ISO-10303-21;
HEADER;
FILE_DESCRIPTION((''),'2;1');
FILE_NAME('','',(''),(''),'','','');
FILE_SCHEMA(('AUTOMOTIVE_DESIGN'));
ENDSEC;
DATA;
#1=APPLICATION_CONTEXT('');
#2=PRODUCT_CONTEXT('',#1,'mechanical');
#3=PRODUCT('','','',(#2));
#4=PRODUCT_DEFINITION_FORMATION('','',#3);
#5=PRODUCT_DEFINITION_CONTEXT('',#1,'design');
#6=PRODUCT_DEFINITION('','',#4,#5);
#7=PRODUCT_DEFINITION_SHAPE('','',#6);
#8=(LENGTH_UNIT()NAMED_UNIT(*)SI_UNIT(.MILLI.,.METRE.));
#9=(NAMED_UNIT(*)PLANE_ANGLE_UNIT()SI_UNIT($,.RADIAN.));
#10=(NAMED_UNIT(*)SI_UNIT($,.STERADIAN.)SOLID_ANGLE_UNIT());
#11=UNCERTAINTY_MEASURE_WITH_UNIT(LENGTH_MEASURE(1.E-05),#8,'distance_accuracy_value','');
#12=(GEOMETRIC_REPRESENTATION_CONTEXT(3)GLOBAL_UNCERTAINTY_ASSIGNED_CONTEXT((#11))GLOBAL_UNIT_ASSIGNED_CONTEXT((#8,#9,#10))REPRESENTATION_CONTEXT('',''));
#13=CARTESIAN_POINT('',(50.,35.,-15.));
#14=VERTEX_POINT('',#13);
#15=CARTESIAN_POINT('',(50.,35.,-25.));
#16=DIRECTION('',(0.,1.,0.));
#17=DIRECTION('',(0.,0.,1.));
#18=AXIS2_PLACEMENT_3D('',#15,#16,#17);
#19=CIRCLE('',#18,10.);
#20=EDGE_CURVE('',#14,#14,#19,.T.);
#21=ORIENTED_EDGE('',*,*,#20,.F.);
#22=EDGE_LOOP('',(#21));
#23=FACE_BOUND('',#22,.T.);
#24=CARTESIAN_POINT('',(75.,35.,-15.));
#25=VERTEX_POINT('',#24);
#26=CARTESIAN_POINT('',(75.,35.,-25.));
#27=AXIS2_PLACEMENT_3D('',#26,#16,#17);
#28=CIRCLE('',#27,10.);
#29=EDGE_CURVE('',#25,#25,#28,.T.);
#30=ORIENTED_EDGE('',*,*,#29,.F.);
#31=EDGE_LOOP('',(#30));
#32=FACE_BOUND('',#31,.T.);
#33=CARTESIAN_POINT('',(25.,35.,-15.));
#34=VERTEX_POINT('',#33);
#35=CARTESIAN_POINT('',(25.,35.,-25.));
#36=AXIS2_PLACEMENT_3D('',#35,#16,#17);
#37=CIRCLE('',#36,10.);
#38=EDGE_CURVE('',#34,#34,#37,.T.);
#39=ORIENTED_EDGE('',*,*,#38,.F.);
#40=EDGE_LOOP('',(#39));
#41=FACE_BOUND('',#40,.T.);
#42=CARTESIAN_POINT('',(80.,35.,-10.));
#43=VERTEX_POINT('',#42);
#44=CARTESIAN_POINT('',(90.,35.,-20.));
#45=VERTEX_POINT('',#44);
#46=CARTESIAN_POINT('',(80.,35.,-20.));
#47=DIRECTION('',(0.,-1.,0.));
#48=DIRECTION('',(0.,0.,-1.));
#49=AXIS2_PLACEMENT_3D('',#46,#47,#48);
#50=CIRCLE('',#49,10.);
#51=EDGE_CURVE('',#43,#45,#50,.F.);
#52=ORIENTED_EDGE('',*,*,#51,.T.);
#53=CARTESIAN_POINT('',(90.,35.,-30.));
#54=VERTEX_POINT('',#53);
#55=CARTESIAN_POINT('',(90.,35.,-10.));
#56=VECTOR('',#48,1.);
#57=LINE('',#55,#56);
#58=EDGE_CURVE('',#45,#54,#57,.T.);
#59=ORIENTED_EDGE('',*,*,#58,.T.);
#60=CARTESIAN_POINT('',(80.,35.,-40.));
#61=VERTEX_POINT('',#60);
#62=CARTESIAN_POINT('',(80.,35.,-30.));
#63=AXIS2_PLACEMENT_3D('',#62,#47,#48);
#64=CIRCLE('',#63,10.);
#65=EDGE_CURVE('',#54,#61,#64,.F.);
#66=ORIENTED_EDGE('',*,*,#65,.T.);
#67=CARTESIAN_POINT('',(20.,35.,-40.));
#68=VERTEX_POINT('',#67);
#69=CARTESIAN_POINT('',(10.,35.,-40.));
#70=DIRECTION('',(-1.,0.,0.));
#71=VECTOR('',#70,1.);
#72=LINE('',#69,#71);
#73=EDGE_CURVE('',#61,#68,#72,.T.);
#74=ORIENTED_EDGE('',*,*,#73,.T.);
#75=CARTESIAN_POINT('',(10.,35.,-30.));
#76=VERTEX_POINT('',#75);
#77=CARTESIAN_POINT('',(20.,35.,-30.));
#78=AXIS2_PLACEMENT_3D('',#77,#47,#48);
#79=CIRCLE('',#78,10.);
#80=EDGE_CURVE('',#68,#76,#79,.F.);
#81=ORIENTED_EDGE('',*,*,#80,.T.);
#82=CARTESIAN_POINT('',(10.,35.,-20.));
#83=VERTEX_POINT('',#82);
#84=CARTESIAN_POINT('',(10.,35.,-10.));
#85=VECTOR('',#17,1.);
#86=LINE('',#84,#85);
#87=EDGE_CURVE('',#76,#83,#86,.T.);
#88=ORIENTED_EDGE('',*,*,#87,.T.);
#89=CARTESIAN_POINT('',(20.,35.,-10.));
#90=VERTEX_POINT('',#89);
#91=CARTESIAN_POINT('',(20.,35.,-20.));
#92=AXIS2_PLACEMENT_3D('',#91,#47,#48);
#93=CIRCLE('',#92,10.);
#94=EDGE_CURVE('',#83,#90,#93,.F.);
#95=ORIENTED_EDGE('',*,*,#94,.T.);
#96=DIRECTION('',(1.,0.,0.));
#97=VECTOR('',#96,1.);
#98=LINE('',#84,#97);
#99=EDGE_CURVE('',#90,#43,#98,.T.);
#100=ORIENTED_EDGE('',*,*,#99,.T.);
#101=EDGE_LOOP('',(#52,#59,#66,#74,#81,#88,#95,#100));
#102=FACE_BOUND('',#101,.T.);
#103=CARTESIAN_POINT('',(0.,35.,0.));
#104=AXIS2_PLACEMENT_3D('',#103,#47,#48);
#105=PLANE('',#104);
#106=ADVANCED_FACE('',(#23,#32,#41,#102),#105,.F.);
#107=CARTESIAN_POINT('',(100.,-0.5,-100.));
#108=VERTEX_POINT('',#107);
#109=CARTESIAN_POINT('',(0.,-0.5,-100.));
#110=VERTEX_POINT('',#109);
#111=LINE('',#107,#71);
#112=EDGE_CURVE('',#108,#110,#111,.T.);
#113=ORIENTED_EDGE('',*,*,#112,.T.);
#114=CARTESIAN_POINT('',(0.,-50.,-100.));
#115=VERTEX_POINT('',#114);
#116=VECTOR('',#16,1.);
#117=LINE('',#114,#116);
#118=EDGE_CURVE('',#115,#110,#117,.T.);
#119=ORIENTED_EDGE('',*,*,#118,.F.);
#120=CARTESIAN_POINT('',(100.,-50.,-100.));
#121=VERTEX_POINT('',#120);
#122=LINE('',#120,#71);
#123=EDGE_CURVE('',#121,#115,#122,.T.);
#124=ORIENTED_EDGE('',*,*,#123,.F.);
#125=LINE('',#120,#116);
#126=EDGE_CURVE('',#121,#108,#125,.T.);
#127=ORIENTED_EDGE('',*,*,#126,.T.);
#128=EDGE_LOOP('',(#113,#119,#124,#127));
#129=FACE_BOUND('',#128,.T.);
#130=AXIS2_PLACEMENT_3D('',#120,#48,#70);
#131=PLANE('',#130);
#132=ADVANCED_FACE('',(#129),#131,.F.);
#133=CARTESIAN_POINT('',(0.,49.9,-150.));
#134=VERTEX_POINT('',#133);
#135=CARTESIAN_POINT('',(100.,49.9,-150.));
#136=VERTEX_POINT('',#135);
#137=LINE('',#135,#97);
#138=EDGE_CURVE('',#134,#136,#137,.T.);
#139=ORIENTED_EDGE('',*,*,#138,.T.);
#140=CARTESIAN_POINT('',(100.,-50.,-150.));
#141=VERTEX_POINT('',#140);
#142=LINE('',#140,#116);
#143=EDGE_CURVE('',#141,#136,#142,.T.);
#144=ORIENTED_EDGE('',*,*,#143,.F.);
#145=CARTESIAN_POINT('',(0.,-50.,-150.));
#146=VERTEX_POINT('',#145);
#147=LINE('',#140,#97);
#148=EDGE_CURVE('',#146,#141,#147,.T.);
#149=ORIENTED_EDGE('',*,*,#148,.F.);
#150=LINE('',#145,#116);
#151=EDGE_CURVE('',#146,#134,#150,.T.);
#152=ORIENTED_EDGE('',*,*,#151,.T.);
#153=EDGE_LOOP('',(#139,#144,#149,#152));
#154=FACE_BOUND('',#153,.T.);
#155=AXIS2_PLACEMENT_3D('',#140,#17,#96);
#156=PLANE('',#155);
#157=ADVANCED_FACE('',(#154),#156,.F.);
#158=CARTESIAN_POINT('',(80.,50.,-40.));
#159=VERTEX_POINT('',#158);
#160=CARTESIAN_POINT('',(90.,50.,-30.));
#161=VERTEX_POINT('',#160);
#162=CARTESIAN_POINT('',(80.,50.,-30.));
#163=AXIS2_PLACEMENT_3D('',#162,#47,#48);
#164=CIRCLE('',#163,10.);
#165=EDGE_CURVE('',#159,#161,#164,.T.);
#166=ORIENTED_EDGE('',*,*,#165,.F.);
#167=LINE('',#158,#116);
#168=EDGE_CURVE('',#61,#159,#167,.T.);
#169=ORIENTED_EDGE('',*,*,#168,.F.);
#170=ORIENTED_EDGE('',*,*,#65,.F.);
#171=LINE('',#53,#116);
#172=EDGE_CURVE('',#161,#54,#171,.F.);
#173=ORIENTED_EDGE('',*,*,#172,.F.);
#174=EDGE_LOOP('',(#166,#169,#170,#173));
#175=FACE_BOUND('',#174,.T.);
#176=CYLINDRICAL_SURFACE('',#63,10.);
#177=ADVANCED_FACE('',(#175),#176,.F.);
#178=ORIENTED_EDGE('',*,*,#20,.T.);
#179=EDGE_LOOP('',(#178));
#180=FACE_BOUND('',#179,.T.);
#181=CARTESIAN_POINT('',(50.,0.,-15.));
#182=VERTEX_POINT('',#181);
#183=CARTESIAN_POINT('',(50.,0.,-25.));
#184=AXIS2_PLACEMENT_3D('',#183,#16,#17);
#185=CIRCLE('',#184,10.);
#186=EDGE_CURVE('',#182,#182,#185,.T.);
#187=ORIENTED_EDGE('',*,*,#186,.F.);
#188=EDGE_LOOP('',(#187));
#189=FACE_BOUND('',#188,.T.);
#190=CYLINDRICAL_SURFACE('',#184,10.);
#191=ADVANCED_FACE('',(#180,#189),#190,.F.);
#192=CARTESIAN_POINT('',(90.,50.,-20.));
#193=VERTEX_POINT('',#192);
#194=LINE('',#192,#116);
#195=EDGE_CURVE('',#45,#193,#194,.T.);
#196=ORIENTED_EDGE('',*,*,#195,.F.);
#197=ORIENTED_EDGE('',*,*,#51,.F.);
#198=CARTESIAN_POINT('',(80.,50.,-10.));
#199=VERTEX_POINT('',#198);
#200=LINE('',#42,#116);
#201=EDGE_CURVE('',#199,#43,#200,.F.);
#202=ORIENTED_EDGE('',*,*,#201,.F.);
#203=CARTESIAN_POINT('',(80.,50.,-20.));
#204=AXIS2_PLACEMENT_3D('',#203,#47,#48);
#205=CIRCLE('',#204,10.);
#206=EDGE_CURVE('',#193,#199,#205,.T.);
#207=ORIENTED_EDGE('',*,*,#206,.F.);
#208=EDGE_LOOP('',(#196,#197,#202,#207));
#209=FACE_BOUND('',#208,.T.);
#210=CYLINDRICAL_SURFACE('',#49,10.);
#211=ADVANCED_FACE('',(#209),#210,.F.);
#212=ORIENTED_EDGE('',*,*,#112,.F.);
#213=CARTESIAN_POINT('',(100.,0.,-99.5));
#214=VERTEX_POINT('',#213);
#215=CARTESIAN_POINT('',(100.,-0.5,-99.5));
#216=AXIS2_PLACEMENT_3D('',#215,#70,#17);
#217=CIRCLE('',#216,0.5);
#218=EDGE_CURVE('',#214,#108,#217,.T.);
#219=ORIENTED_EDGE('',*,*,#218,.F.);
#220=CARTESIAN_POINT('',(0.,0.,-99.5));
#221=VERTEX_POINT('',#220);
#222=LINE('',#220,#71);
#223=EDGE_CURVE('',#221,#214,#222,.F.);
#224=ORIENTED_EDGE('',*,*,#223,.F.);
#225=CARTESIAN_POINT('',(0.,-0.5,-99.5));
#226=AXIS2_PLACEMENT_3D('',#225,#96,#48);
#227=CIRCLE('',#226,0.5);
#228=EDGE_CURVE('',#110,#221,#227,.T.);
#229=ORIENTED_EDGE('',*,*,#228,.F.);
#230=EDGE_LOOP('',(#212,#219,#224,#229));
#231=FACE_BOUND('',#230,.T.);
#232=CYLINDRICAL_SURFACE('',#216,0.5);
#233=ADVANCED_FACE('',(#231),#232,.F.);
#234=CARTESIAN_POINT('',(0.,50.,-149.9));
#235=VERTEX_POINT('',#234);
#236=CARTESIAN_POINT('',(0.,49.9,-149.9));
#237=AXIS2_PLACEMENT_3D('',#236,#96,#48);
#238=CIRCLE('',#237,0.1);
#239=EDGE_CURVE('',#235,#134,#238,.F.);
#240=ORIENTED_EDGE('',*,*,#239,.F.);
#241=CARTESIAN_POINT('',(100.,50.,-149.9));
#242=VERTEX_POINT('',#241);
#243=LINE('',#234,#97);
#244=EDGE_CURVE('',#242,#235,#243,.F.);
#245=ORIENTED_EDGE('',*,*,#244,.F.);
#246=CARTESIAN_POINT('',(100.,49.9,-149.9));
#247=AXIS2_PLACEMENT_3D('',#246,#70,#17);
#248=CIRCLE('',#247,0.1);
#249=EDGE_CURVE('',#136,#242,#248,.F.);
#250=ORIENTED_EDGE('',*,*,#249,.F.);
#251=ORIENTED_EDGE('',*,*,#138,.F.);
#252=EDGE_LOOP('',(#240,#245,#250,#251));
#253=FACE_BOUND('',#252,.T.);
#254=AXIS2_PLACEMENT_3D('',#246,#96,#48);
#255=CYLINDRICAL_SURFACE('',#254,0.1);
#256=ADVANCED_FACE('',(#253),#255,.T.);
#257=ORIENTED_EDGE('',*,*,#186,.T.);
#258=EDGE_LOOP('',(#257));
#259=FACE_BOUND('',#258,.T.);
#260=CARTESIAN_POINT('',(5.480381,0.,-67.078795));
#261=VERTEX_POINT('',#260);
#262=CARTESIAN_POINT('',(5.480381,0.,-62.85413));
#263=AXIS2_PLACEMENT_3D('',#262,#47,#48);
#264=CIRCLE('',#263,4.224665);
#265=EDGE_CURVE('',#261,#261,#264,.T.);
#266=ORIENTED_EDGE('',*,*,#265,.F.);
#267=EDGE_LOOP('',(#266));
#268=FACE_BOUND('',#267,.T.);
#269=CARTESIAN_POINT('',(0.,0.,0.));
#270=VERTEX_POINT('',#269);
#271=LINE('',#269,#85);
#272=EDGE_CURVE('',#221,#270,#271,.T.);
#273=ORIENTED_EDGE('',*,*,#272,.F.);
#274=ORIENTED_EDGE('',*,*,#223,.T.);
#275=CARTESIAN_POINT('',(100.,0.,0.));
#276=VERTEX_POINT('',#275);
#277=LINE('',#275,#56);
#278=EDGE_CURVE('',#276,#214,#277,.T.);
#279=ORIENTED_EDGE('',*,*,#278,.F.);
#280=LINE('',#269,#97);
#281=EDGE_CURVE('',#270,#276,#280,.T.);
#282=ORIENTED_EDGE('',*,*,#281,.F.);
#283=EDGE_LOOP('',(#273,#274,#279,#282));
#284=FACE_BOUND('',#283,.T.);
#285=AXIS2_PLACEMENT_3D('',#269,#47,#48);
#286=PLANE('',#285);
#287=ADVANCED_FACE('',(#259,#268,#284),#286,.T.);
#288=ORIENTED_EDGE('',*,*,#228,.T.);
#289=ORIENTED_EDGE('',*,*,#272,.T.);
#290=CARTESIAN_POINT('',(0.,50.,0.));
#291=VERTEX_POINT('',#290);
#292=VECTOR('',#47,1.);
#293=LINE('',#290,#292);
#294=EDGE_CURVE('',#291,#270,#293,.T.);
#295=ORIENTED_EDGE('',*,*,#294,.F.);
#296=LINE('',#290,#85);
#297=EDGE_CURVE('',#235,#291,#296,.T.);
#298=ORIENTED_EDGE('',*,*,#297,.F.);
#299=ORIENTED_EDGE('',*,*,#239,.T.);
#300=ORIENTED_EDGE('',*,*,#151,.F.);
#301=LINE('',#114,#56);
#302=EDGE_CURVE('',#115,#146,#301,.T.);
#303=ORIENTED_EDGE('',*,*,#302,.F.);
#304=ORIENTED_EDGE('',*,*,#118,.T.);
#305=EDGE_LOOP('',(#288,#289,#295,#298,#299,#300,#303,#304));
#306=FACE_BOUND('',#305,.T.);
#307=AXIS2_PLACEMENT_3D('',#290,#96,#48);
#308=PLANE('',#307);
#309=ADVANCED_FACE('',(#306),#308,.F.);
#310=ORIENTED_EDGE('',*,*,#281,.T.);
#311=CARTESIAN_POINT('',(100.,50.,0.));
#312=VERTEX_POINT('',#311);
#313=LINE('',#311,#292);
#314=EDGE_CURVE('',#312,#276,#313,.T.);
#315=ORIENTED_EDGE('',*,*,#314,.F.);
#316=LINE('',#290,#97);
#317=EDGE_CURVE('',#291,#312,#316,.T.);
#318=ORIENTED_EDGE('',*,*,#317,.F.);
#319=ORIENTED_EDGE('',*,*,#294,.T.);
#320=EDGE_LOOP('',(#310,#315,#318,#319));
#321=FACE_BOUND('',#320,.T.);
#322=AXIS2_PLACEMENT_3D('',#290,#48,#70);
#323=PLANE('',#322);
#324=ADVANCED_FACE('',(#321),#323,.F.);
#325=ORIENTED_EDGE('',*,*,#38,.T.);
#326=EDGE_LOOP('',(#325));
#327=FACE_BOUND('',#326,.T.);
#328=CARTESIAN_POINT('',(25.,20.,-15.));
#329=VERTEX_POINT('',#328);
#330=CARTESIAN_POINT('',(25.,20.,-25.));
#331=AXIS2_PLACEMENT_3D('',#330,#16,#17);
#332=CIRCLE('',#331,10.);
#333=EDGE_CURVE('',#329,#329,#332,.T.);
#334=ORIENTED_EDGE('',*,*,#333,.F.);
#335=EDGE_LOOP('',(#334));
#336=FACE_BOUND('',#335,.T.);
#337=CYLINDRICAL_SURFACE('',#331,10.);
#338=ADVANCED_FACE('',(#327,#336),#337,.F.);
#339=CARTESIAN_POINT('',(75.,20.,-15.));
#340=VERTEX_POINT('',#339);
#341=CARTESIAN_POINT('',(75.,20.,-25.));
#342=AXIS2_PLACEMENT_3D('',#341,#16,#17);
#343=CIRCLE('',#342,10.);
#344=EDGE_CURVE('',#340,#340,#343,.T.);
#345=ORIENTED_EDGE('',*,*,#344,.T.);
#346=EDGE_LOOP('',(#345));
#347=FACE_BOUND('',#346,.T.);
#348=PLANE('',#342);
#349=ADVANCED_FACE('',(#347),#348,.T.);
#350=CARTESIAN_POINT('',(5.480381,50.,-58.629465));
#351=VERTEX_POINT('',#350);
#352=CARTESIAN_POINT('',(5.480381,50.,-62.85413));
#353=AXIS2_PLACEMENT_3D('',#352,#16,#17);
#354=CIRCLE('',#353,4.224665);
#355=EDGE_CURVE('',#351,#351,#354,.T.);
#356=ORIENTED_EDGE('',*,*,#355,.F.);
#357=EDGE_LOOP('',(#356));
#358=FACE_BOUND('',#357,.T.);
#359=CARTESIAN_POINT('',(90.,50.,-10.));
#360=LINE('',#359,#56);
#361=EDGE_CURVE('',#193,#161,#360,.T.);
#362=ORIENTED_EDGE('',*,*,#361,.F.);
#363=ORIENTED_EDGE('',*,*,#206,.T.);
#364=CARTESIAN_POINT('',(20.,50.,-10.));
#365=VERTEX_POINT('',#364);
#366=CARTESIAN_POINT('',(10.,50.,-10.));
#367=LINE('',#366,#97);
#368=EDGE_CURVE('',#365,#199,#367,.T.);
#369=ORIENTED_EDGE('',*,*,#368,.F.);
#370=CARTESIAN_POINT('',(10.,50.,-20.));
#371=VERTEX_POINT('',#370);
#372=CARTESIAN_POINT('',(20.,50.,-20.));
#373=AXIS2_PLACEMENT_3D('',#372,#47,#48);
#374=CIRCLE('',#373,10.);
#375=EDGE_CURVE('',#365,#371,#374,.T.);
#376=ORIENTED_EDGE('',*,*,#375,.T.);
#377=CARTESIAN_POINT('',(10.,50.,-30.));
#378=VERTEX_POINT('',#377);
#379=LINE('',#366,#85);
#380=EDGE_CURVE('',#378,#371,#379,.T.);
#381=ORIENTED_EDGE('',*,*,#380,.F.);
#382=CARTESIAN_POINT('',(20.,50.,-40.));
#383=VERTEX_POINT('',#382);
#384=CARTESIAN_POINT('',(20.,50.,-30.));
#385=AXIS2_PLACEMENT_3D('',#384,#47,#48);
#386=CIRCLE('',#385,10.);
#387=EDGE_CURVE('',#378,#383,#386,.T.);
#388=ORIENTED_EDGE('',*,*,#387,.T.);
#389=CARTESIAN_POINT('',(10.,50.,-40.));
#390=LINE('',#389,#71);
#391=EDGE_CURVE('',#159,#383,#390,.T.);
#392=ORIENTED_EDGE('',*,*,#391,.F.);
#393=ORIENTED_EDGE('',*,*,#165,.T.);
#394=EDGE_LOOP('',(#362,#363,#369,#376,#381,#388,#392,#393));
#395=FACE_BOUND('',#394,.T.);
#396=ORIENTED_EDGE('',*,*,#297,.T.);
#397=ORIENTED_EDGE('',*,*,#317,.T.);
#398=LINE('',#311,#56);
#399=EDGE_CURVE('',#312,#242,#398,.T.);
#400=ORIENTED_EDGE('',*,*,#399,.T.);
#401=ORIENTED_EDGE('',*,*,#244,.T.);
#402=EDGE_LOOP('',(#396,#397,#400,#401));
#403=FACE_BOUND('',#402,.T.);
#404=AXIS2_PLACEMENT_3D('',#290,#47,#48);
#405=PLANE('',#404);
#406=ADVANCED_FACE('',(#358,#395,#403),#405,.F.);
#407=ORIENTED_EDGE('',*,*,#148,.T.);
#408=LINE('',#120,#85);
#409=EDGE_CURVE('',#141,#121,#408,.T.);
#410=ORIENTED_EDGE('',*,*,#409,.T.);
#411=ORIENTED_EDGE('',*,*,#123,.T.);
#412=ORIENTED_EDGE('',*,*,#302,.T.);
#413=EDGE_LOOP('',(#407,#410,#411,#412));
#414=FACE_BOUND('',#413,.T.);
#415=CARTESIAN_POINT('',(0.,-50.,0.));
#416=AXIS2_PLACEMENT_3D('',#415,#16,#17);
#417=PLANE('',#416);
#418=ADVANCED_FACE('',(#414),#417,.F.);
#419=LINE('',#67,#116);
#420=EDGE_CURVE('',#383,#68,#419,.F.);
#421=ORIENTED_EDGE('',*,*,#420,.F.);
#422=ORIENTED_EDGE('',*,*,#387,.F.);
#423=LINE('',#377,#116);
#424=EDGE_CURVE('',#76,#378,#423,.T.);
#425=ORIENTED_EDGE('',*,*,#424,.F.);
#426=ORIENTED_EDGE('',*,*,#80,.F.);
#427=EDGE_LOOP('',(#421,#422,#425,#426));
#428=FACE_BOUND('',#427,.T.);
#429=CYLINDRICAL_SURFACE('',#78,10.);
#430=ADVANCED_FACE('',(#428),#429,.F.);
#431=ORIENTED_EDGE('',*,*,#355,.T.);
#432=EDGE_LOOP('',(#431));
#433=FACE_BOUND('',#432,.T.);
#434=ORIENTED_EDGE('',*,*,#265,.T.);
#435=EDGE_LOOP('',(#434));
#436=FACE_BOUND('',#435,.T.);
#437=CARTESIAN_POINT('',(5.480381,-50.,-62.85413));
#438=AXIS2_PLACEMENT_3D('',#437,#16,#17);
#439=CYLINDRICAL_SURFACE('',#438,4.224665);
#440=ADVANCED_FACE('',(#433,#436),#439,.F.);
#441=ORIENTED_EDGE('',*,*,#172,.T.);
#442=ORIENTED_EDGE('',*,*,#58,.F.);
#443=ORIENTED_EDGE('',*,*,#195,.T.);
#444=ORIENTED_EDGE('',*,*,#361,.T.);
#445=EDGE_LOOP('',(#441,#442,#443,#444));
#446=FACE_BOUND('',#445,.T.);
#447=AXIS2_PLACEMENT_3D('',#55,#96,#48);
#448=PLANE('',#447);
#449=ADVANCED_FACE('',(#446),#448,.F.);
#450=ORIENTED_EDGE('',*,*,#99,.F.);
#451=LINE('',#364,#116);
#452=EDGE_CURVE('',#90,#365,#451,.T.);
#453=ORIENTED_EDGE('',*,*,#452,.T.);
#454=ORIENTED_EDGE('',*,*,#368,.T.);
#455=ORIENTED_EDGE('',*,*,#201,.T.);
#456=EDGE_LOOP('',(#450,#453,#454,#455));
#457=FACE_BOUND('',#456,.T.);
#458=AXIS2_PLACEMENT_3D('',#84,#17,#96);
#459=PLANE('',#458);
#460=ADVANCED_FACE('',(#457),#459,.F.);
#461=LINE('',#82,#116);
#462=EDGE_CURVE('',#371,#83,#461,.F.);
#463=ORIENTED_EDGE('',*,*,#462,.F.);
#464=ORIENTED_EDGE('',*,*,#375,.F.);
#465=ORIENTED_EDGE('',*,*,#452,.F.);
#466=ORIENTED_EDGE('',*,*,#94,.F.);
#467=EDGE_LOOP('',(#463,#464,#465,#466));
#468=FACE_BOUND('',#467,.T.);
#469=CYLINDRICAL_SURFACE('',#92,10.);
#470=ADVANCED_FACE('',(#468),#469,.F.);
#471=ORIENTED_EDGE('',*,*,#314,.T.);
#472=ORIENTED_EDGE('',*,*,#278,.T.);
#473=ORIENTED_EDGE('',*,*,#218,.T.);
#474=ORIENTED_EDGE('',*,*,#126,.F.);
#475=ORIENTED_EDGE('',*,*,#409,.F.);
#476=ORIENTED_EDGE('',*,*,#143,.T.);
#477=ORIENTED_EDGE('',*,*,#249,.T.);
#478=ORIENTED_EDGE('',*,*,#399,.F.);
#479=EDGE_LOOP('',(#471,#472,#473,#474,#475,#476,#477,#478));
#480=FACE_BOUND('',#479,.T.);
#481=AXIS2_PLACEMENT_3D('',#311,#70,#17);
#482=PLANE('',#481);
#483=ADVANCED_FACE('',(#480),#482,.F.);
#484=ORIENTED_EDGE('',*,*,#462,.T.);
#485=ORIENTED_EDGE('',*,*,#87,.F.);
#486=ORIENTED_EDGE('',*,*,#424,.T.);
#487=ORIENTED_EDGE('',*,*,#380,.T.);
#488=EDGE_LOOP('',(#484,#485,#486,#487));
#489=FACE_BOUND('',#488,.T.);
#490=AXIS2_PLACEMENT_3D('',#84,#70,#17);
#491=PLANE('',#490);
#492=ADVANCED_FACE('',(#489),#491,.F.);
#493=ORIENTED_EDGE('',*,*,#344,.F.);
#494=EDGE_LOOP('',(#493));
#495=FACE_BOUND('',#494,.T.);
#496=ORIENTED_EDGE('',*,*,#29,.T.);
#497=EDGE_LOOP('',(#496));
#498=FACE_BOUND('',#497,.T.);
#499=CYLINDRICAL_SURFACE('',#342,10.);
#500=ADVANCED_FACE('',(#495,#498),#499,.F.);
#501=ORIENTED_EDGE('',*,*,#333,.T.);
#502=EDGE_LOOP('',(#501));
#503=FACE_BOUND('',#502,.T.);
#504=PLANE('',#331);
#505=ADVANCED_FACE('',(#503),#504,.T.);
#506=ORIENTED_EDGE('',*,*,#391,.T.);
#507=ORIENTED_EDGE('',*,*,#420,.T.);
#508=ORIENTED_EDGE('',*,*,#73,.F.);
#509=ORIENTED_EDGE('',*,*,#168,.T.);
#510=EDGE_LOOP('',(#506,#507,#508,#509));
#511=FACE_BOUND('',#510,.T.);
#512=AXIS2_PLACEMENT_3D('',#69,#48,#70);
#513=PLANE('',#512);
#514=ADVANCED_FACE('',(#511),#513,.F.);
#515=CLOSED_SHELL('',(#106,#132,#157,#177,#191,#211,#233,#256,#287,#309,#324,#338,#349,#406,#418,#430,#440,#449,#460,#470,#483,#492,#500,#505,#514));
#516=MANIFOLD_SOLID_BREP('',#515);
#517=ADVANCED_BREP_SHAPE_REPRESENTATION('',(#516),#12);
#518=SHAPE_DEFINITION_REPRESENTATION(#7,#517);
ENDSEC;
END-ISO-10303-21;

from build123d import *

# Parameters (mm, degrees)
SKETCH1_W           = 100
SKETCH1_H           = 100
BOSS_EXTRUDE1_DEPTH = 50
SKETCH3_W           = 80
SKETCH3_H           = 30
CUT_EXTRUDE2_DEPTH  = 15
FILLET1_R           = 10
SKETCH4_R           = 10
CUT_EXTRUDE3_DEPTH  = 15
SKETCH5_R           = 10
CUT_EXTRUDE4_DEPTH  = 146.688022843
SKETCH6_W           = 100
SKETCH6_H           = 50
BOSS_EXTRUDE2_DEPTH = 50
FILLET2_R           = 0.1
SKETCH7_R           = 4.224664999
CUT_EXTRUDE5_DEPTH  = 207.155281281
FILLET3_R           = 0.5


with BuildPart() as part:
    # Sketch1 → Boss-Extrude1 (new body)
    with BuildSketch(Plane(origin=(0, 0, 0), x_dir=(1, 0, 0), z_dir=(0, 1, 0))):
        with Locations((50, 50)):
            Rectangle(SKETCH1_W, SKETCH1_H)
    extrude(amount=BOSS_EXTRUDE1_DEPTH)

    # Sketch3 → Cut-Extrude2 (cut)
    with BuildSketch(Plane(origin=(0, 50, 0), x_dir=(1, 0, 0), z_dir=(0, 1, 0))):
        with Locations((50, 25)):
            Rectangle(SKETCH3_W, SKETCH3_H)
    extrude(amount=-CUT_EXTRUDE2_DEPTH, mode=Mode.SUBTRACT)

    # Fillet1
    fillet1_edges = [part.edges().sort_by_distance(p)[0] for p in [
        (90, 42.5, -10),
        (90, 42.5, -40),
        (10, 42.5, -40),
        (10, 42.5, -10),
    ]]
    fillet(fillet1_edges, radius=FILLET1_R)

    # Sketch4 → Cut-Extrude3 (cut)
    with BuildSketch(Plane(origin=(0, 35, 0), x_dir=(1, 0, 0), z_dir=(0, 1, 0))):
        with Locations((25, 25)):
            Circle(SKETCH4_R)
        with Locations((75, 25)):
            Circle(SKETCH4_R)
    extrude(amount=-CUT_EXTRUDE3_DEPTH, mode=Mode.SUBTRACT)

    # Sketch5 → Cut-Extrude4 (cut, through all)
    with BuildSketch(Plane(origin=(0, 35, 0), x_dir=(1, 0, 0), z_dir=(0, 1, 0))):
        with Locations((50, 25)):
            Circle(SKETCH5_R)
    extrude(amount=-CUT_EXTRUDE4_DEPTH, mode=Mode.SUBTRACT)

    # Sketch6 → Boss-Extrude2 (add, symmetric)
    with BuildSketch(Plane.XZ):
        with Locations((50, -125)):
            Rectangle(SKETCH6_W, SKETCH6_H)
    extrude(amount=BOSS_EXTRUDE2_DEPTH, both=True)

    # Fillet2
    fillet2_edges = [part.edges().sort_by_distance(p)[0] for p in [
        (50, 50, -150),
    ]]
    fillet(fillet2_edges, radius=FILLET2_R)

    # Sketch7 → Cut-Extrude5 (cut, through all)
    with BuildSketch(Plane(origin=(0, 50, 0), x_dir=(1, 0, 0), z_dir=(0, 1, 0))):
        with Locations((5.480381348, 62.854130386)):
            Circle(SKETCH7_R)
    extrude(amount=-CUT_EXTRUDE5_DEPTH, mode=Mode.SUBTRACT)

    # Fillet3
    fillet3_edges = [part.edges().sort_by_distance(p)[0] for p in [
        (50, 0, -100),
    ]]
    fillet(fillet3_edges, radius=FILLET3_R)


solid = part.part
